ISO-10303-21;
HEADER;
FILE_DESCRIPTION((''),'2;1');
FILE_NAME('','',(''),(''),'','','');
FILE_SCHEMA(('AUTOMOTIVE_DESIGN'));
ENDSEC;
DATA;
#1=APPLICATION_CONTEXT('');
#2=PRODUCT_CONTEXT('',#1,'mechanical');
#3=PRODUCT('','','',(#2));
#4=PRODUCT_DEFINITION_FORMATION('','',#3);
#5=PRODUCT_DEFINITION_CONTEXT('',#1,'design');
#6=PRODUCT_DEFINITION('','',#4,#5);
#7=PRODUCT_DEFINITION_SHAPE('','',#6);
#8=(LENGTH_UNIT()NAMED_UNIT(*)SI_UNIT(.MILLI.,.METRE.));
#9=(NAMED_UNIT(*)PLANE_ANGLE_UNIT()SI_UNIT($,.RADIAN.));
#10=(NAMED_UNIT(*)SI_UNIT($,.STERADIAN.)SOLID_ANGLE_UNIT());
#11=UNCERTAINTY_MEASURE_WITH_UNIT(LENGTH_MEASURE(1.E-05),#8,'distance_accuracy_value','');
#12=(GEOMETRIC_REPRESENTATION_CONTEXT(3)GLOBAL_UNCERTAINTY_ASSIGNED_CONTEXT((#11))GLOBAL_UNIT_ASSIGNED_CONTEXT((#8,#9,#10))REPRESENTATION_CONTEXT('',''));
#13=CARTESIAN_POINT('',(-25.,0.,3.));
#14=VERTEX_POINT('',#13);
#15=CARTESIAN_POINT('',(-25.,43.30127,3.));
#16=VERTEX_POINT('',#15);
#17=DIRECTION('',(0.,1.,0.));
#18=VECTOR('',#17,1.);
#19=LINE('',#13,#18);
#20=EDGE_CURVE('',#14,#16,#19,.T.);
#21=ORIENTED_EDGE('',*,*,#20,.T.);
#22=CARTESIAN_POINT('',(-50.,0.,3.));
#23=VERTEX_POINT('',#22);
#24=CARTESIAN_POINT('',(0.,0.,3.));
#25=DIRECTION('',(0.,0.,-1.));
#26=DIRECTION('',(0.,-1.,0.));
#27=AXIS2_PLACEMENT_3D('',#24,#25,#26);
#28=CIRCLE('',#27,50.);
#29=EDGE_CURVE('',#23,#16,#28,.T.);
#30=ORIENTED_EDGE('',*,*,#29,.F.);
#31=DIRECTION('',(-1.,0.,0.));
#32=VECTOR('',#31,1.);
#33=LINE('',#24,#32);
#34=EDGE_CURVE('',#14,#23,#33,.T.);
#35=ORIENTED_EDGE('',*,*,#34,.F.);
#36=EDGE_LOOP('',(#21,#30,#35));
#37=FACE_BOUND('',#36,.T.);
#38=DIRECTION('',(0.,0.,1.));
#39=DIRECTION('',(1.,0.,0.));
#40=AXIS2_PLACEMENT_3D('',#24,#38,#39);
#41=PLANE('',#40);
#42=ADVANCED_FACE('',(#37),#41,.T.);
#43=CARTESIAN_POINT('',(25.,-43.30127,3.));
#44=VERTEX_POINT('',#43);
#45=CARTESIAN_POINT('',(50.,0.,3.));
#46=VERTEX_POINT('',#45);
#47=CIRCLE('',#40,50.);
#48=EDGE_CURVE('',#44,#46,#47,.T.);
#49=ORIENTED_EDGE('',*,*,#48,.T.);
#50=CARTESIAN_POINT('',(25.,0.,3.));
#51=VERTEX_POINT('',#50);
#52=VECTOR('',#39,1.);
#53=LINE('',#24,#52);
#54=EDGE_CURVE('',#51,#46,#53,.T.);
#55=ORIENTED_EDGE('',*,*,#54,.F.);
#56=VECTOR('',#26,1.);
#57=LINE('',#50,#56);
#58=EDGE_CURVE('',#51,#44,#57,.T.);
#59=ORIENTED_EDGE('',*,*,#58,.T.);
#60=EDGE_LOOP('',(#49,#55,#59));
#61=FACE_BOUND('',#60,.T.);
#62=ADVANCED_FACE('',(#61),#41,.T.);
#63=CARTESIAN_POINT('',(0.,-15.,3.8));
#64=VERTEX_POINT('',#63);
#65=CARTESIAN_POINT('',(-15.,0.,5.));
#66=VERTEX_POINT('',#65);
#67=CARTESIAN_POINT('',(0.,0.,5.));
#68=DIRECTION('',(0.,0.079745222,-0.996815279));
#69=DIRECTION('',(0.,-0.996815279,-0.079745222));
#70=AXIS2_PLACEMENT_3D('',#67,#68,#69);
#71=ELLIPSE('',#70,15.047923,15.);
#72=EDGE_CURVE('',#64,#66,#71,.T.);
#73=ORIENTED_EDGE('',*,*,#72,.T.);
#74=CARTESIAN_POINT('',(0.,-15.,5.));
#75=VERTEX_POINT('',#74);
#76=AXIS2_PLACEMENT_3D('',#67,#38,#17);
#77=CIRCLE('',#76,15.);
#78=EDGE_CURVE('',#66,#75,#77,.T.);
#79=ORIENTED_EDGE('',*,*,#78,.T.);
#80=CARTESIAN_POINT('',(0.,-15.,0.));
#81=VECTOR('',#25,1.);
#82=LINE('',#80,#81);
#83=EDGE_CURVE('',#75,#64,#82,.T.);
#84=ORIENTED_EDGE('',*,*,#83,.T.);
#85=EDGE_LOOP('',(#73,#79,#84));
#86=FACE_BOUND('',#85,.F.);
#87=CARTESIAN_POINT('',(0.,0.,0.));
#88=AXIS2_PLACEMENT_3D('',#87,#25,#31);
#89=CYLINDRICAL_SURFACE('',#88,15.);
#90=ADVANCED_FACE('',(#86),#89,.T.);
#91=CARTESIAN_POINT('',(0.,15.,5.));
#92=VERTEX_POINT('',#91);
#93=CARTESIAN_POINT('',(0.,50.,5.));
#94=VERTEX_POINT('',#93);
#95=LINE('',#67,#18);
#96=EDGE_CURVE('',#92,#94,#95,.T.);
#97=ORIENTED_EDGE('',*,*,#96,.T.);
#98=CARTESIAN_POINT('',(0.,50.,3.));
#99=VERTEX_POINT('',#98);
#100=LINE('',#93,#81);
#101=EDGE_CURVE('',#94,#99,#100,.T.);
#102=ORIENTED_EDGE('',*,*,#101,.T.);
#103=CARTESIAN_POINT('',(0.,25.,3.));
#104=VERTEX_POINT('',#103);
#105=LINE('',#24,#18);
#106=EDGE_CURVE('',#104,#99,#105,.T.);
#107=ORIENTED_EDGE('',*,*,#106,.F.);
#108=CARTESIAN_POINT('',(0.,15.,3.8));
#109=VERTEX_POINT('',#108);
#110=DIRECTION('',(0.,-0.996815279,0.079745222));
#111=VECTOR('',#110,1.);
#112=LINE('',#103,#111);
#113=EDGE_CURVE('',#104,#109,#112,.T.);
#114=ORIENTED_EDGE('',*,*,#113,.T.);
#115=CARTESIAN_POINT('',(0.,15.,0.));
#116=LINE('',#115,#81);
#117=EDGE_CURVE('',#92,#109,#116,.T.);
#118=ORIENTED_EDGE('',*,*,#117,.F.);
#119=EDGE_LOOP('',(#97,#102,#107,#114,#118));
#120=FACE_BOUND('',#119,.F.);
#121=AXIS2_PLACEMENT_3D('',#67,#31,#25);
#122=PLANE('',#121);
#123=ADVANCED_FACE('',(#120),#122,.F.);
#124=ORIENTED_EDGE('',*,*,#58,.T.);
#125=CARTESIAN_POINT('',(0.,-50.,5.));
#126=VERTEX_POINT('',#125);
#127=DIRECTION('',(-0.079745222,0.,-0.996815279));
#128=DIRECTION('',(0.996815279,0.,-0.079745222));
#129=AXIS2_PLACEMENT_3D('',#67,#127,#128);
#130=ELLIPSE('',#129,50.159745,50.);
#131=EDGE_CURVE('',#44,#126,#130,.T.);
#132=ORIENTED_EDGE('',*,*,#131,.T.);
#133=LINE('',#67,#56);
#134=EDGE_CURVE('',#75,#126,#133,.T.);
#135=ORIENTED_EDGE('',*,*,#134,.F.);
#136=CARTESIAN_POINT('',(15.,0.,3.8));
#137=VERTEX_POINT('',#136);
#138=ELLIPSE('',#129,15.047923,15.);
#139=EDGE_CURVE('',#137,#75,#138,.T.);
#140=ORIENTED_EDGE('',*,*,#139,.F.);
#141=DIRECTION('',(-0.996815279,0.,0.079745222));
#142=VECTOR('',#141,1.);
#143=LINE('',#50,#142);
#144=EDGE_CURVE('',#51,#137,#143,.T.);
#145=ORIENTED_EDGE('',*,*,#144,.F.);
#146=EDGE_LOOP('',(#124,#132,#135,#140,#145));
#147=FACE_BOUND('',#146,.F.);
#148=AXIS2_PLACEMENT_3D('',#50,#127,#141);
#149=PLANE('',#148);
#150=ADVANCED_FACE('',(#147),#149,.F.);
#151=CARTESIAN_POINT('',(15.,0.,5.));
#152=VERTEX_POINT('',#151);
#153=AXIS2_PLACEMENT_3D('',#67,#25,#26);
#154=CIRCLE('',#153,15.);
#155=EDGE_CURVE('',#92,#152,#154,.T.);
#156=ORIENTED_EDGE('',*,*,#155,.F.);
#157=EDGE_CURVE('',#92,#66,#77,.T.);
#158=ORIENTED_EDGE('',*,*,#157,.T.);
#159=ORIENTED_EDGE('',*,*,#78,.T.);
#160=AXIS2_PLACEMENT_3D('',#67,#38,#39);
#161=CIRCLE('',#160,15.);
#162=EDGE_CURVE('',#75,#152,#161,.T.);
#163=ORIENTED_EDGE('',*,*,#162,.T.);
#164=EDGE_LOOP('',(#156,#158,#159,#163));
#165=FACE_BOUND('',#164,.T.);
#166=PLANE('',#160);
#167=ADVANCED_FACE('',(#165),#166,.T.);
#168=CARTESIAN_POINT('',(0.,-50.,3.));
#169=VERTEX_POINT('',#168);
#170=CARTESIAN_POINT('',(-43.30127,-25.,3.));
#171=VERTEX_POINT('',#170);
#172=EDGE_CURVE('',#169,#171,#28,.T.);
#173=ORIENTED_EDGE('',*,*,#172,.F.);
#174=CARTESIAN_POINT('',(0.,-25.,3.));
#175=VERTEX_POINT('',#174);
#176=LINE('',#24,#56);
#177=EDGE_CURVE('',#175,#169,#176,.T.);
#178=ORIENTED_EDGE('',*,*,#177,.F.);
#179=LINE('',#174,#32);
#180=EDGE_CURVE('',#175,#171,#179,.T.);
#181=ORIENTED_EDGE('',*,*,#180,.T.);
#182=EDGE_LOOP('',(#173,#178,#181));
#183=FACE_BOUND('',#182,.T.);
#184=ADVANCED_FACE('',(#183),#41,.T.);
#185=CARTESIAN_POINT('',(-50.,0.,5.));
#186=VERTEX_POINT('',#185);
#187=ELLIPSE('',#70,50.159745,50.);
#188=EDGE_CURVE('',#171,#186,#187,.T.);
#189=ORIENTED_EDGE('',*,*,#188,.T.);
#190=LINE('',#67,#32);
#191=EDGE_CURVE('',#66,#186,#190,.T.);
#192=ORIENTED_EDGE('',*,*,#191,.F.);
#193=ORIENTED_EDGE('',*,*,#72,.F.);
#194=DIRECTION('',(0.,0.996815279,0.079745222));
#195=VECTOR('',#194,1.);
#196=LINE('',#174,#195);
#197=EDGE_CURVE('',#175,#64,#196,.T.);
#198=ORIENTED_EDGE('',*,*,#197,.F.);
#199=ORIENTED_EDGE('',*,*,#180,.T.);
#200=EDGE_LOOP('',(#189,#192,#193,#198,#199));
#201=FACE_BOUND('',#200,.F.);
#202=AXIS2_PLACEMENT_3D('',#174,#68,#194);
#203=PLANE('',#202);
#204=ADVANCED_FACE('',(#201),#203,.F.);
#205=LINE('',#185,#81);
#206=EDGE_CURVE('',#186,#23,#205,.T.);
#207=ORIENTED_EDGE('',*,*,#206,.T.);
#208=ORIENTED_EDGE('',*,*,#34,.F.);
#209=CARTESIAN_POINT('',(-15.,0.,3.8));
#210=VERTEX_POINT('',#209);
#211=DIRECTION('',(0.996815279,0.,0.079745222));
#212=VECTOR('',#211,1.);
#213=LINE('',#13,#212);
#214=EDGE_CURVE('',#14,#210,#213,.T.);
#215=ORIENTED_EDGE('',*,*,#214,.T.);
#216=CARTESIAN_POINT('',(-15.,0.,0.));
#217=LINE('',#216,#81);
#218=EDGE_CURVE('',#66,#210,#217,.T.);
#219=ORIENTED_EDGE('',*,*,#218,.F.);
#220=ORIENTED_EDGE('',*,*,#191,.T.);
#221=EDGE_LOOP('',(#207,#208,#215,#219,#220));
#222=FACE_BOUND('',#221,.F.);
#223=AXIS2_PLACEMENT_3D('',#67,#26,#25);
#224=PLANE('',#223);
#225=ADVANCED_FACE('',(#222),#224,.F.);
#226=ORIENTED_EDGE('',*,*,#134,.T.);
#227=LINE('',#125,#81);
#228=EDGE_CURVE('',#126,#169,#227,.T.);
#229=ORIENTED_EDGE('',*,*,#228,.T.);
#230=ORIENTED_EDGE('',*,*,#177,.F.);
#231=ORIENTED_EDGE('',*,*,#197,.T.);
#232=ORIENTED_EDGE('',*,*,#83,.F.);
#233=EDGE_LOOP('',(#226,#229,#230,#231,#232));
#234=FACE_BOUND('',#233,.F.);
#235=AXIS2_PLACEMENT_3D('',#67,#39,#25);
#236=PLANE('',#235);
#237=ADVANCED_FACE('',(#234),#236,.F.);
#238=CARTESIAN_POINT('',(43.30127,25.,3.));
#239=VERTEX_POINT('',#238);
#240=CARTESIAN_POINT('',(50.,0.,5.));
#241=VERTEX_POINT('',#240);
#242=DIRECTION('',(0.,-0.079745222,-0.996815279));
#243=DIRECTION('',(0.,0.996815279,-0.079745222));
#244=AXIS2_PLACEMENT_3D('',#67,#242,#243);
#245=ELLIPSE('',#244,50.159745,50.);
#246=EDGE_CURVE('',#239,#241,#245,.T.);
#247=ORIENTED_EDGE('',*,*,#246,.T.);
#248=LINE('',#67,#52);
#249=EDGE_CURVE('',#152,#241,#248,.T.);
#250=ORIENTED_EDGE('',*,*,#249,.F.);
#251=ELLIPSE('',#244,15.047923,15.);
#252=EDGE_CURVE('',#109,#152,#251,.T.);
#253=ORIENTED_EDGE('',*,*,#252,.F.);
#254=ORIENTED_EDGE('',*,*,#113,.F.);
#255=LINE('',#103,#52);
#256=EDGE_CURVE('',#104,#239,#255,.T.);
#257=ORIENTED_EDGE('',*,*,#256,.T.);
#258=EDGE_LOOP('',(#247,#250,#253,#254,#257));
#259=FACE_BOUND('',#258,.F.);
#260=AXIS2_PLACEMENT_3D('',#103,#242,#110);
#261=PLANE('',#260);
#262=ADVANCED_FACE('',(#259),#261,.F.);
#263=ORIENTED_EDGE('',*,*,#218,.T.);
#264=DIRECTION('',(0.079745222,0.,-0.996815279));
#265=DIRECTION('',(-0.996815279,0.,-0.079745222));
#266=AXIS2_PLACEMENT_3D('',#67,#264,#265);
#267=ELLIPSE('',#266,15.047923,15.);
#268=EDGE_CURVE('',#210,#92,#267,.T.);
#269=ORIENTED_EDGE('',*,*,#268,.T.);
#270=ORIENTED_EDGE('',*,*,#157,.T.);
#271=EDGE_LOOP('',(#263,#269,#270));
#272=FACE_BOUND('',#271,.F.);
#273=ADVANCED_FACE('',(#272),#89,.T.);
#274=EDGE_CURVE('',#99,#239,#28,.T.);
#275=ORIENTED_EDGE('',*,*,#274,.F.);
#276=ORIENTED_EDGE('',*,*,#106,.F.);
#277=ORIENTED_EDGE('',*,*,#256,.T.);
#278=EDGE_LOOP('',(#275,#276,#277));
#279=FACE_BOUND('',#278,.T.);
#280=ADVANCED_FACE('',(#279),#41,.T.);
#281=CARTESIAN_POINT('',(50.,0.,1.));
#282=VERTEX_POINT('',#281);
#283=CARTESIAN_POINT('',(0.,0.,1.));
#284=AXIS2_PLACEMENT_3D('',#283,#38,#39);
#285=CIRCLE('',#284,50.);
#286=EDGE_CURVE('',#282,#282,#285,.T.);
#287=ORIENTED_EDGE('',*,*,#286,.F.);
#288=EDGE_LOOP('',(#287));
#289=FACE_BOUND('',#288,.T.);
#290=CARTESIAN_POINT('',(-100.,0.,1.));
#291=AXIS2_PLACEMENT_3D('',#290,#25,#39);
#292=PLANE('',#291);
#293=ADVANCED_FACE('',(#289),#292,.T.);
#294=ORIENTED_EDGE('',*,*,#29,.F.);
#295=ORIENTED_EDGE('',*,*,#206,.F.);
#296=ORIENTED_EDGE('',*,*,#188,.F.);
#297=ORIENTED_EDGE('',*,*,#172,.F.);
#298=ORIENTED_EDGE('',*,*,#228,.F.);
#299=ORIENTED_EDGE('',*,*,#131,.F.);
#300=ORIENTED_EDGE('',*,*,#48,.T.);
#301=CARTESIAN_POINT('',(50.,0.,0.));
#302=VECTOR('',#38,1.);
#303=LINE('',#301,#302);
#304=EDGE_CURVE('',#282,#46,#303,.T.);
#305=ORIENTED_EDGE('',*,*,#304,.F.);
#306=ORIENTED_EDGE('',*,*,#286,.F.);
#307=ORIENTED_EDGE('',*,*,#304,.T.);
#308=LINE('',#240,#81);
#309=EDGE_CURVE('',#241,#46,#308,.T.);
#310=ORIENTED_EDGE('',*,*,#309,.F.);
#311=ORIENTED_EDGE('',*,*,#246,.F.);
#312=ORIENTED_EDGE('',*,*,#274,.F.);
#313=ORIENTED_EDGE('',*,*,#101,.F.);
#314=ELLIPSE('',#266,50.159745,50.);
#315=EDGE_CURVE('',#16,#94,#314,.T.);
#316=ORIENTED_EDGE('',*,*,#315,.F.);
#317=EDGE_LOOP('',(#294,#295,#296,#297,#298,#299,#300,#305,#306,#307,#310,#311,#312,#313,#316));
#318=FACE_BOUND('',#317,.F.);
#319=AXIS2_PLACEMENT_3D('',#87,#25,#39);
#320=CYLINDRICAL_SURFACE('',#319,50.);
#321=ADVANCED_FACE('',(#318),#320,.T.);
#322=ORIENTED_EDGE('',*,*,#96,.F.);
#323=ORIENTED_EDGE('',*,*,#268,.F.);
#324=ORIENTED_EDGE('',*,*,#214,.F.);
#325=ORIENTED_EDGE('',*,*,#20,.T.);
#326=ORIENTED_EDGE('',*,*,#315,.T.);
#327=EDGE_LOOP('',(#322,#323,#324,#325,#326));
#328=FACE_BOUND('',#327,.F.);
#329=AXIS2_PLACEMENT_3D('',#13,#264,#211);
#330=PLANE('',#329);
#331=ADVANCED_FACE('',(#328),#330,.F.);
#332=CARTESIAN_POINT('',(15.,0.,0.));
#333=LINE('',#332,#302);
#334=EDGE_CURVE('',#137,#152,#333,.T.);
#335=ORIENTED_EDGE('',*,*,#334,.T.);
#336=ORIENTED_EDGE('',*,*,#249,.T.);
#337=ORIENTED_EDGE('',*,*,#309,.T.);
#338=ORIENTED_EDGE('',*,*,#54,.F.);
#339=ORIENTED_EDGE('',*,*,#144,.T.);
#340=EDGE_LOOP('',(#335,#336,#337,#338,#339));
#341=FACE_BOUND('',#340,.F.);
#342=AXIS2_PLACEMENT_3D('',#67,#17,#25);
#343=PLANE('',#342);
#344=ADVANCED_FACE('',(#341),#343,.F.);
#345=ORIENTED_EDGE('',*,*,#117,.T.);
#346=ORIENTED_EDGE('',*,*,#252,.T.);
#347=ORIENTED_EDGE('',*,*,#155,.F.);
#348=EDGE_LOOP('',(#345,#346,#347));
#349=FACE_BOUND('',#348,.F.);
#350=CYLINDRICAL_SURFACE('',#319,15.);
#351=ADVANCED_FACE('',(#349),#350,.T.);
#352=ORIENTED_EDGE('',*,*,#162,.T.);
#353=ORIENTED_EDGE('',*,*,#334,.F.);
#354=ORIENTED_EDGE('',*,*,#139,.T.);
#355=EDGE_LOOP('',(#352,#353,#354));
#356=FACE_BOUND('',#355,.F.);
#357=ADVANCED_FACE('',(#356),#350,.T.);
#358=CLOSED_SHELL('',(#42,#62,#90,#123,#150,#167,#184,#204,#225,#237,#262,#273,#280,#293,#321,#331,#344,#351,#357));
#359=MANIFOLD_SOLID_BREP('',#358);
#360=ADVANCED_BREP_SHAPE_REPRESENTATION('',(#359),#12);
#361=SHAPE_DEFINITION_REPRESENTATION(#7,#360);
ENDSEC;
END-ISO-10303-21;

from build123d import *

# Parameters (mm, degrees)
F0_R          = 50
F0_R_2        = 15
F1_DEPTH      = 3
F2_DEPTH      = 5
F4_DEPTH      = 50
F5_COUNT      = 4
F6_R          = 62.5
F6_R_2        = 50
F7_DEPTH      = 25
F8_W          = 200
F8_H          = 2
F9_DEPTH      = 100
F9_DEPTH_BACK = 100


with BuildPart() as f1:
    # F0 (on Top) → F1 (new body)
    with BuildSketch(Plane.XY):
        Circle(F0_R)
        Circle(F0_R_2, mode=Mode.SUBTRACT)
    extrude(amount=F1_DEPTH)

    # F0 (on Top) → F2 (join)
    with BuildSketch(Plane.XY):
        Circle(F0_R_2)
    extrude(amount=F2_DEPTH)

    # F3 (on Front) → F4 (join)
    with BuildSketch(Plane.XZ):
        Polygon((0, 5), (0, 3), (25, 3), align=None)
    extrude(amount=F4_DEPTH)

    # F5: F1 ×4 about axis
    f5_axis = Axis((0, 0, 3), (0, 0, 1))


with BuildPart() as f1_1:
    add(f1.part)
    for i in range(1, F5_COUNT):
        add(f1.part.rotate(f5_axis, i * 360 / F5_COUNT))

    # F6 (on Top) → F7 (cut)
    with BuildSketch(Plane.XY):
        Circle(F6_R)
        Circle(F6_R_2, mode=Mode.SUBTRACT)
    extrude(amount=F7_DEPTH, mode=Mode.SUBTRACT)

    # F8 (on Front) → F9 (cut, two sides)
    with BuildSketch(Plane.XZ) as f9_sk:
        Rectangle(F8_W, F8_H)
    extrude(amount=-F9_DEPTH, mode=Mode.SUBTRACT)
    extrude(f9_sk.sketch, amount=F9_DEPTH_BACK, mode=Mode.SUBTRACT)


solid = f1_1.part
